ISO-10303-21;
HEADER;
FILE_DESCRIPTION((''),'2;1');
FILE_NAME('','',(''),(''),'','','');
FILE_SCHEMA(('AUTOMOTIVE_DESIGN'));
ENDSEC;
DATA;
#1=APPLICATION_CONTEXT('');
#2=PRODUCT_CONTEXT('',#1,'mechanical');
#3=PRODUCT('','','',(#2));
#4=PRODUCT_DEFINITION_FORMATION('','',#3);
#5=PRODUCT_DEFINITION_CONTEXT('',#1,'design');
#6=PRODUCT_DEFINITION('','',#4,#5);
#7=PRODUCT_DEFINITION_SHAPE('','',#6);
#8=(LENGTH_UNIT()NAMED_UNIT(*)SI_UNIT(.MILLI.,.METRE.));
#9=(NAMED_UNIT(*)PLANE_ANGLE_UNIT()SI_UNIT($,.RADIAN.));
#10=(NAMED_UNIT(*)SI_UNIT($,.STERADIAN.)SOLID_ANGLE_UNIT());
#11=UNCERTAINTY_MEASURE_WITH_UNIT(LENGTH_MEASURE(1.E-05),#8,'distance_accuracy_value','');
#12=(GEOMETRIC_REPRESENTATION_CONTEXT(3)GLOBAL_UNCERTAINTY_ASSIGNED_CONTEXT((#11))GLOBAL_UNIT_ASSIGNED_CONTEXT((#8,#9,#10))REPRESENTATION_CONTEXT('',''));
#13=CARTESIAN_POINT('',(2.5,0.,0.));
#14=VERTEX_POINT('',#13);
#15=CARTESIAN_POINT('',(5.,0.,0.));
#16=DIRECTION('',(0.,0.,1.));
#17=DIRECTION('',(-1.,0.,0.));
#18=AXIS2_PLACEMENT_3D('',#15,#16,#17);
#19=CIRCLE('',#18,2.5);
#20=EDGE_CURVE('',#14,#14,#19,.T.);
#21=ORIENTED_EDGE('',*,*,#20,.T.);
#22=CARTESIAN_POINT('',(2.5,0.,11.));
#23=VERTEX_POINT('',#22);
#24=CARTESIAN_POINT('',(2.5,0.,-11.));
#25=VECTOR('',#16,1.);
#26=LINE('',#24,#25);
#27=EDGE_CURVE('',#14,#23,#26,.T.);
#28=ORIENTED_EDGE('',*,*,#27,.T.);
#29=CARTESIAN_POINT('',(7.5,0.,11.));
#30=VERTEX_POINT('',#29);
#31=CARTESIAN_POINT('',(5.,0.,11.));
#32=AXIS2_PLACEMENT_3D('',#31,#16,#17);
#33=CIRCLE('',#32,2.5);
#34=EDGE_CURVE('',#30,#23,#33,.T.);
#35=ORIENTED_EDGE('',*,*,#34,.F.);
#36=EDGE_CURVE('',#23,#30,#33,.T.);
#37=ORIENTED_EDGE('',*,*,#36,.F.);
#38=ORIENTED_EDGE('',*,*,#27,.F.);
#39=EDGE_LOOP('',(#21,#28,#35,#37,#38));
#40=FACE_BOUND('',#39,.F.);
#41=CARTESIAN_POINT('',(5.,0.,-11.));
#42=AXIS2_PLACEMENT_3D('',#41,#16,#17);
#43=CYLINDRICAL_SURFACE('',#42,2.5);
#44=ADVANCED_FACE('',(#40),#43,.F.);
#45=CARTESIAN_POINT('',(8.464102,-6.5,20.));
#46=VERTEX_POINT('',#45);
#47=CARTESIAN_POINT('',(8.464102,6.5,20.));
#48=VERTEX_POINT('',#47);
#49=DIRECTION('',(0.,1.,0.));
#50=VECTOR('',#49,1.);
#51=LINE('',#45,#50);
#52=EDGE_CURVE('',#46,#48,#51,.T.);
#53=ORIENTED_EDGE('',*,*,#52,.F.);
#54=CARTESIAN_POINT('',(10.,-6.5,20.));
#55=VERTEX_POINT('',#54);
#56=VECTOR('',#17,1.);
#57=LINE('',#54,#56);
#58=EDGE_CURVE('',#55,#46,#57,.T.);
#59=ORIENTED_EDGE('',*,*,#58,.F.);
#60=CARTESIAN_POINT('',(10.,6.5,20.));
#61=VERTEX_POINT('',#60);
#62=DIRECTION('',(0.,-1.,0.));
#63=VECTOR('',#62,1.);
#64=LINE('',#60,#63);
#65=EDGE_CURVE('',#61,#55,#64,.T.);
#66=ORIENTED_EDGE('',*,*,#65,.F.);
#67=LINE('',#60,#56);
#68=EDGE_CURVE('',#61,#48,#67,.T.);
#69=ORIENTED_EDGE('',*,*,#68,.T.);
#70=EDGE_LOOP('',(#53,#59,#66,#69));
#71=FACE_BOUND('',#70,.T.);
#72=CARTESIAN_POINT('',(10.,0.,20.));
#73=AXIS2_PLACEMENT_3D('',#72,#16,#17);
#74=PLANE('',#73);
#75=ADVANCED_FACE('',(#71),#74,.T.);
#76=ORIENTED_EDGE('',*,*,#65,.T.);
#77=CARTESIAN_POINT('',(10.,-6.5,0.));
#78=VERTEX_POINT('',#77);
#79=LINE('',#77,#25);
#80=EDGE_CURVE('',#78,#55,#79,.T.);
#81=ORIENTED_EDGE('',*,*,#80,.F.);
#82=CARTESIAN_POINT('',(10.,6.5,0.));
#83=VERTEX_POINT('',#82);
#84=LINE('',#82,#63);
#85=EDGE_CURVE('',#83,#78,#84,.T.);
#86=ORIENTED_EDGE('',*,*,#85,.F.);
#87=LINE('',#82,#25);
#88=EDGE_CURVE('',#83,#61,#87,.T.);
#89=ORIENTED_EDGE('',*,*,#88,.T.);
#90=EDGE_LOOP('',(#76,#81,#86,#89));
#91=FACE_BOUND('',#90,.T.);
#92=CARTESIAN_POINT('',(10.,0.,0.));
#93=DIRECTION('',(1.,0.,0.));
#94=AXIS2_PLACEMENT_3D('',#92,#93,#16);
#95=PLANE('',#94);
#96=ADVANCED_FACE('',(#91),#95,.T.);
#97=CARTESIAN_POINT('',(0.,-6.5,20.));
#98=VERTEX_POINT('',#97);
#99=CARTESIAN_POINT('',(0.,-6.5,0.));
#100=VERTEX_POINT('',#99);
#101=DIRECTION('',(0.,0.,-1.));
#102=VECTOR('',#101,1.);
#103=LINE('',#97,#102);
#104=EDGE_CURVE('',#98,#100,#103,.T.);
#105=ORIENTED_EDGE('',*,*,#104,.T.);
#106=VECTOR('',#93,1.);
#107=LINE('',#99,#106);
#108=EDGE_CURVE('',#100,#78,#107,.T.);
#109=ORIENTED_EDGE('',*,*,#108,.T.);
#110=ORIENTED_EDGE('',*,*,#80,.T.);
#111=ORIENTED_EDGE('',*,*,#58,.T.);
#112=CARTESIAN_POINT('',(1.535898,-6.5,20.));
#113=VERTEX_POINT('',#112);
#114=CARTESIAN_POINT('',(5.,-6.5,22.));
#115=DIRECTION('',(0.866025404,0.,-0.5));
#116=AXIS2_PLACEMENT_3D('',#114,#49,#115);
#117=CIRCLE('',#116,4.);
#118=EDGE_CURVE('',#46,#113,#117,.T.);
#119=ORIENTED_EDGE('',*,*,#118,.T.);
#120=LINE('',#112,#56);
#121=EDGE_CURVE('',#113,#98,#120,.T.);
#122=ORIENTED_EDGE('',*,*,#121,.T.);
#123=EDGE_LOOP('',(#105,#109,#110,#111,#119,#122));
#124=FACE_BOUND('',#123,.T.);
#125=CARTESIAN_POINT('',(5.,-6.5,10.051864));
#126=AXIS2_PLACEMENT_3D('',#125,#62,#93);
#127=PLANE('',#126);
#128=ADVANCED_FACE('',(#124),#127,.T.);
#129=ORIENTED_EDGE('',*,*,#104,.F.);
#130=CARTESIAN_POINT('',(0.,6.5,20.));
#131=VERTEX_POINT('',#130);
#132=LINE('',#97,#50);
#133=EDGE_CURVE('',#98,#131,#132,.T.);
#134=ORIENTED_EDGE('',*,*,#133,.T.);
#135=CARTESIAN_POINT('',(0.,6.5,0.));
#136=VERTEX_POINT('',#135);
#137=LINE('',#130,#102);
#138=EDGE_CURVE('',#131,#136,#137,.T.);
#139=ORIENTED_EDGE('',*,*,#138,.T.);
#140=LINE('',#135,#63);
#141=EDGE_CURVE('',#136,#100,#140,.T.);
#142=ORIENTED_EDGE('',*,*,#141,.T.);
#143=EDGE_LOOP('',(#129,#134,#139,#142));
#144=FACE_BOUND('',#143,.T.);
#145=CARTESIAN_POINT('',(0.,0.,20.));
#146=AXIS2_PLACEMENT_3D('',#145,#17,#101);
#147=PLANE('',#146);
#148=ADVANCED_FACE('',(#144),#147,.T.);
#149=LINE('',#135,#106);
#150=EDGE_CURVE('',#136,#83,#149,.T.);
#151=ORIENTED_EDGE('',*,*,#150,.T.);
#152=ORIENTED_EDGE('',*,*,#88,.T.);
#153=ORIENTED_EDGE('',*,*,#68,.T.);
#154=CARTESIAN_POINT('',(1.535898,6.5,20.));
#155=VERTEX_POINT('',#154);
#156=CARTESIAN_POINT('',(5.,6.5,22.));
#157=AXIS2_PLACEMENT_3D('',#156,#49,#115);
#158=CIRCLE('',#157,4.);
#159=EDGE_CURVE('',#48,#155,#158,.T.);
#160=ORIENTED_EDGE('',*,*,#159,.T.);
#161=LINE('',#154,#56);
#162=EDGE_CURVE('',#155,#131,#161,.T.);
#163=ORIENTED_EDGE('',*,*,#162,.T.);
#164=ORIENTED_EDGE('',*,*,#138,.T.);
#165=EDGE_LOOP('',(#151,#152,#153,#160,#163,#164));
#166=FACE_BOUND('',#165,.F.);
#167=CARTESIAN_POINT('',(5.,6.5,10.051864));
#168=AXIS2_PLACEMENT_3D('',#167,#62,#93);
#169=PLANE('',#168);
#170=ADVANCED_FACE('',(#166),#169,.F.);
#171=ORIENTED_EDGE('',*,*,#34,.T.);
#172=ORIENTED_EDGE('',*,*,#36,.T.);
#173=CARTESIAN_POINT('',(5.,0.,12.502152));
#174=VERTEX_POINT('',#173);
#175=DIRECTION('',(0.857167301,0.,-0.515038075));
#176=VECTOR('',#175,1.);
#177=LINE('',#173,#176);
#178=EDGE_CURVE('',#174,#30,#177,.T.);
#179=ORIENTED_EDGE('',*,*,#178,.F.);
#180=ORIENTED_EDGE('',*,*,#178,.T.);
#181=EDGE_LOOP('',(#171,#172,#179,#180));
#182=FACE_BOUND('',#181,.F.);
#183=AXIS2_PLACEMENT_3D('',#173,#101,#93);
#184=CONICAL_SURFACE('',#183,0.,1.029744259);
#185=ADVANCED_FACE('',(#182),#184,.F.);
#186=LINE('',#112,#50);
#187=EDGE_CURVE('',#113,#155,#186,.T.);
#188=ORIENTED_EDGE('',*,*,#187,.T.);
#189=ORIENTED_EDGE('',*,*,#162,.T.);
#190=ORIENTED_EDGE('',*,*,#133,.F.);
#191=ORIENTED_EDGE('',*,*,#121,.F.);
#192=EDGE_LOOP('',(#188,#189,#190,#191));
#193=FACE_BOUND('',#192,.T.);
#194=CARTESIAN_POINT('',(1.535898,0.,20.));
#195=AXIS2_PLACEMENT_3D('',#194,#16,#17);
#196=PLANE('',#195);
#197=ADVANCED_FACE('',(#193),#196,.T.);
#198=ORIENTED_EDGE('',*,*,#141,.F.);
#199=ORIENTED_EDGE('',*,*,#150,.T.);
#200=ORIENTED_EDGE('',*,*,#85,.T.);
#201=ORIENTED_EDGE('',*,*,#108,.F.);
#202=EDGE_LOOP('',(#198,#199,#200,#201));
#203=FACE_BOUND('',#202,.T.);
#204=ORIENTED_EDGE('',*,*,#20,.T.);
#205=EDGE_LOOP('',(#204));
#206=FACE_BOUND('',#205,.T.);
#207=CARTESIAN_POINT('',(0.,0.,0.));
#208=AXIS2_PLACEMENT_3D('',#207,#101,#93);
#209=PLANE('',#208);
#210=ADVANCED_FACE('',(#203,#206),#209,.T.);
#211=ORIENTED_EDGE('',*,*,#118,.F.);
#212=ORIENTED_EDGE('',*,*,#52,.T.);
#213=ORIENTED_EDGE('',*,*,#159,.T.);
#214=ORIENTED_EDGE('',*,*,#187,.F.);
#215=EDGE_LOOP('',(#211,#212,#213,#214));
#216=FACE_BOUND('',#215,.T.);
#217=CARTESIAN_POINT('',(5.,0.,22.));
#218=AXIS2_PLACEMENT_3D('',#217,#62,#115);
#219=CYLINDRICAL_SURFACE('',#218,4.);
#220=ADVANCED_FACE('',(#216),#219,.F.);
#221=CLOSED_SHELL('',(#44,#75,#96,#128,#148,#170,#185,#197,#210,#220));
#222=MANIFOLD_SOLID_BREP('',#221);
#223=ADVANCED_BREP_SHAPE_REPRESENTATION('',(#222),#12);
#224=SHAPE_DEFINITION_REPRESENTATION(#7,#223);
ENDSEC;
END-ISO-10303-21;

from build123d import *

# Parameters (mm, degrees)
F1_DEPTH = 6.5
F3_D     = 5
F3_DEPTH = 11
F3_TIP   = 1.5021515476


with BuildPart() as f1:
    # F0 (on Front) → F1 (new body, symmetric)
    with BuildSketch(Plane.XZ):
        with BuildLine():
            Line((0, 20), (0, 0))
            Line((0, 0), (10, 0))
            Line((10, 0), (10, 20))
            Line((10, 20), (8.4641016151, 20))
            ThreePointArc((8.4641016151, 20), (5, 18), (1.5358983849, 20))
            Line((1.5358983849, 20), (0, 20))
        make_face()
    extrude(amount=F1_DEPTH, both=True)

    # F3
    with Locations(Plane(origin=(0, 0, 0), x_dir=(1, 0, 0), z_dir=(0, 0, -1))):
        with Locations((5, 0)):
            Hole(F3_D / 2, depth=F3_DEPTH)
            with Locations((0, 0, -(F3_DEPTH + F3_TIP / 2))):  # 118° drill point
                Cone(0, F3_D / 2, F3_TIP, mode=Mode.SUBTRACT)


solid = f1.part
